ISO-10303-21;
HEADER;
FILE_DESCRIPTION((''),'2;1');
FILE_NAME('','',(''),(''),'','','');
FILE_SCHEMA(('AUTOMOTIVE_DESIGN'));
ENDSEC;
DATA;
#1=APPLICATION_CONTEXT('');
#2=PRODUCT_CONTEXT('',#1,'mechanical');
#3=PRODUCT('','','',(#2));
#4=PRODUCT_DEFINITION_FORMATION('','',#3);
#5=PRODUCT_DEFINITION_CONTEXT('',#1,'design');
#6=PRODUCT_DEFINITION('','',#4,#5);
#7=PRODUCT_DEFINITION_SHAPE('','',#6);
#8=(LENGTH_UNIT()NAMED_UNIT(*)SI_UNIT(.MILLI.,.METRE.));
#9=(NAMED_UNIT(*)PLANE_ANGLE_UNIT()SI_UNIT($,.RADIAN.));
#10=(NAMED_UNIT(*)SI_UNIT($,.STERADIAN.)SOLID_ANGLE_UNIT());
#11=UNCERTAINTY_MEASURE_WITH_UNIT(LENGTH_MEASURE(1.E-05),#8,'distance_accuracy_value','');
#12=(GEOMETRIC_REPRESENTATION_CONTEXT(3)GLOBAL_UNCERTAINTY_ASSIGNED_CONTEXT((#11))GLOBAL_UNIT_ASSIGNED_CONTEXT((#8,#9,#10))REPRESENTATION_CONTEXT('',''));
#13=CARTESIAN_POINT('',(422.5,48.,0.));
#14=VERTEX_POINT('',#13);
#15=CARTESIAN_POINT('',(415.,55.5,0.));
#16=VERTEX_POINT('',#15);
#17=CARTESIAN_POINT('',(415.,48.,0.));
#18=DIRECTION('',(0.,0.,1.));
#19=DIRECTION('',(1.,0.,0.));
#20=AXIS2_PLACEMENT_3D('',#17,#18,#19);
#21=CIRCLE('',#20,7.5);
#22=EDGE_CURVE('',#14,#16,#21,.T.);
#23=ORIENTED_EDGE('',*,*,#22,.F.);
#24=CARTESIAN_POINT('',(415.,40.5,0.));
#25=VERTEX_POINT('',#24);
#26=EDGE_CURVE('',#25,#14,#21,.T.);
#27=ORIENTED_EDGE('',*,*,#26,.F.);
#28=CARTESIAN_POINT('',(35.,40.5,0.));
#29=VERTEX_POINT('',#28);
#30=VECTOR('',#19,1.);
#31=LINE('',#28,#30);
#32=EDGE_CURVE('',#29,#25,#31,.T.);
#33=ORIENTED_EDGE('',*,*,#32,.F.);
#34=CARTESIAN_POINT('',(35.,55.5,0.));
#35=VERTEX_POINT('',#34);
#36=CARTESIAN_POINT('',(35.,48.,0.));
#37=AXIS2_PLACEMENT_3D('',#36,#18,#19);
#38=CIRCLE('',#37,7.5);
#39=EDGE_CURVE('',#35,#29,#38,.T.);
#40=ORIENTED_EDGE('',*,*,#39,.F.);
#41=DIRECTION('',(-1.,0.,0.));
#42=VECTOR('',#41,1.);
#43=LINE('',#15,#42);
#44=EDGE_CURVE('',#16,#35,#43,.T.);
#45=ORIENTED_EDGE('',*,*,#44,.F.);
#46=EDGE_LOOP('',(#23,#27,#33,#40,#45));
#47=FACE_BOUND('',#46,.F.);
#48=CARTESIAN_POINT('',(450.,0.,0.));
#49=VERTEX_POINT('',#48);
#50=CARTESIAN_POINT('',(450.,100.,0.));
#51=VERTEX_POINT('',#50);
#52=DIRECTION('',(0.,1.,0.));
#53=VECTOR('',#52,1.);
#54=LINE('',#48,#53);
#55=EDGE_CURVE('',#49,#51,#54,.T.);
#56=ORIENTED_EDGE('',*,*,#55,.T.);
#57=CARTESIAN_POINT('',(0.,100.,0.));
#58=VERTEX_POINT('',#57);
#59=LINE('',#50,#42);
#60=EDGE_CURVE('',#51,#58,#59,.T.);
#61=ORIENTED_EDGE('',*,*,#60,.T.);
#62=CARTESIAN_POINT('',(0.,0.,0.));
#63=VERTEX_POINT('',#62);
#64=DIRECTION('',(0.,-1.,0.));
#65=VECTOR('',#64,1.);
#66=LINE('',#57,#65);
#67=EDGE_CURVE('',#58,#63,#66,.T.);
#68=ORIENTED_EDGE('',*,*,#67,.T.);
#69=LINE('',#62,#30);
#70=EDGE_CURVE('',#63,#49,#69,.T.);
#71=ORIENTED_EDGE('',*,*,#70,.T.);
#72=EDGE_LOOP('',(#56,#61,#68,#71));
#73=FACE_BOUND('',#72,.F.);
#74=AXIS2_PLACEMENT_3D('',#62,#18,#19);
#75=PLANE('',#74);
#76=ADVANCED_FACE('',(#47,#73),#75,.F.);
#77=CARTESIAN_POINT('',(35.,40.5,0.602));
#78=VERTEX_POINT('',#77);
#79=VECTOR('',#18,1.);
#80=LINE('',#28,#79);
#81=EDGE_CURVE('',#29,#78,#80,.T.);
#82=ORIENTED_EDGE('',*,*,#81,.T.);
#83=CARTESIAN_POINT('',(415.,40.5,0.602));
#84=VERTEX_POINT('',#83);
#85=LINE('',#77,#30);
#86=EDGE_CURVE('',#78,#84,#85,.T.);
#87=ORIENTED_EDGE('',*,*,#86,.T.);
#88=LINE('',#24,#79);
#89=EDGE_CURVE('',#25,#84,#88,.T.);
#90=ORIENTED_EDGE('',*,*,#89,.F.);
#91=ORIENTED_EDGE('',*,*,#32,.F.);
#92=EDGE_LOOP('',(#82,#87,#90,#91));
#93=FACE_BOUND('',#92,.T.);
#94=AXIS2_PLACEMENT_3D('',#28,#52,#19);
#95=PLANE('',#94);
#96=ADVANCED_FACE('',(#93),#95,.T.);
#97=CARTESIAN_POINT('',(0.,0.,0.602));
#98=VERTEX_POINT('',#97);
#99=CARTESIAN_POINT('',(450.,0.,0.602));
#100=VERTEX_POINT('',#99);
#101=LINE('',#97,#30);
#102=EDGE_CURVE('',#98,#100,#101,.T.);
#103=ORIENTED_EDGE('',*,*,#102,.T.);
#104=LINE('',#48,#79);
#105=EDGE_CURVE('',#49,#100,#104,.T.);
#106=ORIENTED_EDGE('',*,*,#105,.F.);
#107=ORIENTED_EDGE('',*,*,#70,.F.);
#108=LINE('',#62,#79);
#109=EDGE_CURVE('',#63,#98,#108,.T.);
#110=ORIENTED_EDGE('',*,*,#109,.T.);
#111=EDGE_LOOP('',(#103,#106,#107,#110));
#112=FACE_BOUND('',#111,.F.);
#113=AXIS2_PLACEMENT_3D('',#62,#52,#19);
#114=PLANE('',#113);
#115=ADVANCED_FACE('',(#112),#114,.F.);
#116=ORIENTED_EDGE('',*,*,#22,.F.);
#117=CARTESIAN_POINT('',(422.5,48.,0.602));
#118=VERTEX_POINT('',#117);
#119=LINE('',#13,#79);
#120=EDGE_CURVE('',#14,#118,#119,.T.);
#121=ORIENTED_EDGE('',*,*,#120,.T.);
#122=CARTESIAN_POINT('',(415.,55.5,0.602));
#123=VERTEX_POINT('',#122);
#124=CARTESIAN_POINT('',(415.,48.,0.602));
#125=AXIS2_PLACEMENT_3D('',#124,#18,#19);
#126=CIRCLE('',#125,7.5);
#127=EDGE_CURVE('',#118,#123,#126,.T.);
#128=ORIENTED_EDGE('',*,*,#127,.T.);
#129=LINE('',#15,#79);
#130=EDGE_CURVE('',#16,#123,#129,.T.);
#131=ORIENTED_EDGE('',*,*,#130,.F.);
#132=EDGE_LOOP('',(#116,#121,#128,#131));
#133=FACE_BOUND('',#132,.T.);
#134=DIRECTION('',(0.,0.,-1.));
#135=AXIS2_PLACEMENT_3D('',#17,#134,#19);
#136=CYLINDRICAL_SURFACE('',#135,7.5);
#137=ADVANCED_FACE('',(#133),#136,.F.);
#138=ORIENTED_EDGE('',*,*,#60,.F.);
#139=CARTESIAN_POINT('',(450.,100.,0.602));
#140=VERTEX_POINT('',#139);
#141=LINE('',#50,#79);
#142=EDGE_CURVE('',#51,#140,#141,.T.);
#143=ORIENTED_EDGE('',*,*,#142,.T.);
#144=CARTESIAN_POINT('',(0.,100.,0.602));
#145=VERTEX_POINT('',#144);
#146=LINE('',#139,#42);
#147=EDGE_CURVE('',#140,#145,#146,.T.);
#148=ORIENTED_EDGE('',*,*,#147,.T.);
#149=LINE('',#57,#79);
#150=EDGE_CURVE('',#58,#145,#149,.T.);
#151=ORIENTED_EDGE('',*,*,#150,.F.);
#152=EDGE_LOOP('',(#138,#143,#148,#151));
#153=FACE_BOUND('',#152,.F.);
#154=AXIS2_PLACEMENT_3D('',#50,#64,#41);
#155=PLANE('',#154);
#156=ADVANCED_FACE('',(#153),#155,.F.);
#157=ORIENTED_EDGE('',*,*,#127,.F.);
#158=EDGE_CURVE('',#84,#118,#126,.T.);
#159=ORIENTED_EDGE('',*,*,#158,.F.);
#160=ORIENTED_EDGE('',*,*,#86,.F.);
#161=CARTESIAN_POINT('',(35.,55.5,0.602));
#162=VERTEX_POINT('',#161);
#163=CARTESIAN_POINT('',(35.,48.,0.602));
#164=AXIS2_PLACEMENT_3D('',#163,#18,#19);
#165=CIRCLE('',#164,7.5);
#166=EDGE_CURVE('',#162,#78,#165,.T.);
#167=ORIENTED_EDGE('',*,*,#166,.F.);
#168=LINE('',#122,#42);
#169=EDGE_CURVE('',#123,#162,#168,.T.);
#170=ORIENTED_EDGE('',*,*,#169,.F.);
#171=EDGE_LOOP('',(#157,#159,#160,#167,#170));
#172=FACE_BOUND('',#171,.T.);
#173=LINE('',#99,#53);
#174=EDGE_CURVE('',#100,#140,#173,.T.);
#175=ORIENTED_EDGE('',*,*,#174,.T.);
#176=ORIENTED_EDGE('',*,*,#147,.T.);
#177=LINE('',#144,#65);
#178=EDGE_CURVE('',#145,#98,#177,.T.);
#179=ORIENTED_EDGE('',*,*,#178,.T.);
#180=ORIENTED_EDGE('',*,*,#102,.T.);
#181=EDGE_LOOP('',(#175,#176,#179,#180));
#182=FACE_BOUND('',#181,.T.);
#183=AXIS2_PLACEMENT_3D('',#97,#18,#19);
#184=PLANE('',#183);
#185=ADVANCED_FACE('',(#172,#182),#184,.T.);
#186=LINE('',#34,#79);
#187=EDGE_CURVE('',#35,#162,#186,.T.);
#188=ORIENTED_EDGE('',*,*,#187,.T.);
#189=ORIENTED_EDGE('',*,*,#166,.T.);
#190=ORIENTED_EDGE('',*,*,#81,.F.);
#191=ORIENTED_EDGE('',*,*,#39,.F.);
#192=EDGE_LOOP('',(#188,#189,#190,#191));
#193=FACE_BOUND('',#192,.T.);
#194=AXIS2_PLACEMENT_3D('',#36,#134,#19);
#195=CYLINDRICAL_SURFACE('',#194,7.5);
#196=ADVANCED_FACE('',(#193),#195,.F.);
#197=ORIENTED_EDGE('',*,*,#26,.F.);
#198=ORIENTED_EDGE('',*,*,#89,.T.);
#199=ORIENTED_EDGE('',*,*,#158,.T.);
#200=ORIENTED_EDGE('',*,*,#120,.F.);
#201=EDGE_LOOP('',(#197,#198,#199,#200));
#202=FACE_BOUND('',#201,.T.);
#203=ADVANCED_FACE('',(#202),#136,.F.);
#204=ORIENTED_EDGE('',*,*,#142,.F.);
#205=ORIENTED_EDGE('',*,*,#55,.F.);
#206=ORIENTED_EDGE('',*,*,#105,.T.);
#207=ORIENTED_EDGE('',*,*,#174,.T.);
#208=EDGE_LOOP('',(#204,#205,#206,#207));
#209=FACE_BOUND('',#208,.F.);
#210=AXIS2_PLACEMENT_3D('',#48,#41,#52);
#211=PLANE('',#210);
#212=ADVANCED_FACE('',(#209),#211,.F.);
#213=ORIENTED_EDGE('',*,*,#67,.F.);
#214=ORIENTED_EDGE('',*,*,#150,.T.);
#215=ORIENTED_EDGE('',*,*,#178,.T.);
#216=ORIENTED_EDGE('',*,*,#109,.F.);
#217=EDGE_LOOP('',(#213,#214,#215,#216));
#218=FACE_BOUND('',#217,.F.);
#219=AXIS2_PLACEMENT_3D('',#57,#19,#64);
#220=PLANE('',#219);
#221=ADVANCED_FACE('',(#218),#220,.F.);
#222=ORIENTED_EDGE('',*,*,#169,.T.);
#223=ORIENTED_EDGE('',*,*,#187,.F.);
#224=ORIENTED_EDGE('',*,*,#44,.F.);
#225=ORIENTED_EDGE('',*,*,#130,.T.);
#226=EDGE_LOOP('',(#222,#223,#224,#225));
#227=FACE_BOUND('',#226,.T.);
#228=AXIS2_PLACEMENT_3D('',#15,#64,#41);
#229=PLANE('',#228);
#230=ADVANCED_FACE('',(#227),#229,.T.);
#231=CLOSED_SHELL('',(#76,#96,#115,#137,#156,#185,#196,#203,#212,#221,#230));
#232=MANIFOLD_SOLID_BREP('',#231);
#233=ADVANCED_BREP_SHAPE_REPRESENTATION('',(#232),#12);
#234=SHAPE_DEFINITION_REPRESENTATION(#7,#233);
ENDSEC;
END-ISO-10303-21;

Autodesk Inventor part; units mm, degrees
ref_plane "YZ Plane" through (0, 0, 0) normal (1, 0, 0) x (0, 1, 0)
ref_plane "XZ Plane" through (0, 0, 0) normal (0, 1, 0) x (-1, 0, 0)
ref_plane "XY Plane" through (0, 0, 0) normal (0, 0, 1) x (1, 0, 0)
sketch "Sketch1" plane through (0, 0, 0) normal (0, 0, 1) x (1, 0, 0)
  line L0 (0, 0) -> (450, 0)
  line L1 (450, 0) -> (450, 100)
  line L2 (450, 100) -> (0, 100)
  line L3 (0, 100) -> (0, 0)
  line L4 (35, 40.5) -> (415, 40.5)
  line L5 (415, 40.5) -> (415, 55.5)
  line L6 (415, 55.5) -> (35, 55.5)
  line L7 (35, 55.5) -> (35, 40.5)
  circle A0 centre (35, 48) radius 7.5
  circle A1 centre (415, 48) radius 7.5
  point P0 (35, 40.5)
  point P1 (35, 55.5)
  dimension "d0" = 450
  dimension "d1" = 100
  dimension "d2" = 380
  dimension "d3" = 15
  dimension "d4" = 15
  dimension "d5" = 15
  dimension "d8" = 35
  dimension "d9" = 52
extrude "Extrusion1" add sketch "Sketch1" along normal blind 0.602
equation "\"BendRadius\" = Thickness"
equation "\"BendReliefWidth\" = Thickness"
equation "\"BendReliefDepth\" = 0.5 * Thickness"
equation "\"CornerReliefSize\" = 4 * Thickness"
equation "\"MinimumRemnant\" = 2 * Thickness"
equation "\"TransitionRadius\" = BendRadius"
equation "\"JacobiRadiusSize\" = BendRadius"
equation "\"GapSize\" = Thickness"
equation "\"Thickness\" = 0.602"
properties part number "project slit" material "Steel, Galvanized"
